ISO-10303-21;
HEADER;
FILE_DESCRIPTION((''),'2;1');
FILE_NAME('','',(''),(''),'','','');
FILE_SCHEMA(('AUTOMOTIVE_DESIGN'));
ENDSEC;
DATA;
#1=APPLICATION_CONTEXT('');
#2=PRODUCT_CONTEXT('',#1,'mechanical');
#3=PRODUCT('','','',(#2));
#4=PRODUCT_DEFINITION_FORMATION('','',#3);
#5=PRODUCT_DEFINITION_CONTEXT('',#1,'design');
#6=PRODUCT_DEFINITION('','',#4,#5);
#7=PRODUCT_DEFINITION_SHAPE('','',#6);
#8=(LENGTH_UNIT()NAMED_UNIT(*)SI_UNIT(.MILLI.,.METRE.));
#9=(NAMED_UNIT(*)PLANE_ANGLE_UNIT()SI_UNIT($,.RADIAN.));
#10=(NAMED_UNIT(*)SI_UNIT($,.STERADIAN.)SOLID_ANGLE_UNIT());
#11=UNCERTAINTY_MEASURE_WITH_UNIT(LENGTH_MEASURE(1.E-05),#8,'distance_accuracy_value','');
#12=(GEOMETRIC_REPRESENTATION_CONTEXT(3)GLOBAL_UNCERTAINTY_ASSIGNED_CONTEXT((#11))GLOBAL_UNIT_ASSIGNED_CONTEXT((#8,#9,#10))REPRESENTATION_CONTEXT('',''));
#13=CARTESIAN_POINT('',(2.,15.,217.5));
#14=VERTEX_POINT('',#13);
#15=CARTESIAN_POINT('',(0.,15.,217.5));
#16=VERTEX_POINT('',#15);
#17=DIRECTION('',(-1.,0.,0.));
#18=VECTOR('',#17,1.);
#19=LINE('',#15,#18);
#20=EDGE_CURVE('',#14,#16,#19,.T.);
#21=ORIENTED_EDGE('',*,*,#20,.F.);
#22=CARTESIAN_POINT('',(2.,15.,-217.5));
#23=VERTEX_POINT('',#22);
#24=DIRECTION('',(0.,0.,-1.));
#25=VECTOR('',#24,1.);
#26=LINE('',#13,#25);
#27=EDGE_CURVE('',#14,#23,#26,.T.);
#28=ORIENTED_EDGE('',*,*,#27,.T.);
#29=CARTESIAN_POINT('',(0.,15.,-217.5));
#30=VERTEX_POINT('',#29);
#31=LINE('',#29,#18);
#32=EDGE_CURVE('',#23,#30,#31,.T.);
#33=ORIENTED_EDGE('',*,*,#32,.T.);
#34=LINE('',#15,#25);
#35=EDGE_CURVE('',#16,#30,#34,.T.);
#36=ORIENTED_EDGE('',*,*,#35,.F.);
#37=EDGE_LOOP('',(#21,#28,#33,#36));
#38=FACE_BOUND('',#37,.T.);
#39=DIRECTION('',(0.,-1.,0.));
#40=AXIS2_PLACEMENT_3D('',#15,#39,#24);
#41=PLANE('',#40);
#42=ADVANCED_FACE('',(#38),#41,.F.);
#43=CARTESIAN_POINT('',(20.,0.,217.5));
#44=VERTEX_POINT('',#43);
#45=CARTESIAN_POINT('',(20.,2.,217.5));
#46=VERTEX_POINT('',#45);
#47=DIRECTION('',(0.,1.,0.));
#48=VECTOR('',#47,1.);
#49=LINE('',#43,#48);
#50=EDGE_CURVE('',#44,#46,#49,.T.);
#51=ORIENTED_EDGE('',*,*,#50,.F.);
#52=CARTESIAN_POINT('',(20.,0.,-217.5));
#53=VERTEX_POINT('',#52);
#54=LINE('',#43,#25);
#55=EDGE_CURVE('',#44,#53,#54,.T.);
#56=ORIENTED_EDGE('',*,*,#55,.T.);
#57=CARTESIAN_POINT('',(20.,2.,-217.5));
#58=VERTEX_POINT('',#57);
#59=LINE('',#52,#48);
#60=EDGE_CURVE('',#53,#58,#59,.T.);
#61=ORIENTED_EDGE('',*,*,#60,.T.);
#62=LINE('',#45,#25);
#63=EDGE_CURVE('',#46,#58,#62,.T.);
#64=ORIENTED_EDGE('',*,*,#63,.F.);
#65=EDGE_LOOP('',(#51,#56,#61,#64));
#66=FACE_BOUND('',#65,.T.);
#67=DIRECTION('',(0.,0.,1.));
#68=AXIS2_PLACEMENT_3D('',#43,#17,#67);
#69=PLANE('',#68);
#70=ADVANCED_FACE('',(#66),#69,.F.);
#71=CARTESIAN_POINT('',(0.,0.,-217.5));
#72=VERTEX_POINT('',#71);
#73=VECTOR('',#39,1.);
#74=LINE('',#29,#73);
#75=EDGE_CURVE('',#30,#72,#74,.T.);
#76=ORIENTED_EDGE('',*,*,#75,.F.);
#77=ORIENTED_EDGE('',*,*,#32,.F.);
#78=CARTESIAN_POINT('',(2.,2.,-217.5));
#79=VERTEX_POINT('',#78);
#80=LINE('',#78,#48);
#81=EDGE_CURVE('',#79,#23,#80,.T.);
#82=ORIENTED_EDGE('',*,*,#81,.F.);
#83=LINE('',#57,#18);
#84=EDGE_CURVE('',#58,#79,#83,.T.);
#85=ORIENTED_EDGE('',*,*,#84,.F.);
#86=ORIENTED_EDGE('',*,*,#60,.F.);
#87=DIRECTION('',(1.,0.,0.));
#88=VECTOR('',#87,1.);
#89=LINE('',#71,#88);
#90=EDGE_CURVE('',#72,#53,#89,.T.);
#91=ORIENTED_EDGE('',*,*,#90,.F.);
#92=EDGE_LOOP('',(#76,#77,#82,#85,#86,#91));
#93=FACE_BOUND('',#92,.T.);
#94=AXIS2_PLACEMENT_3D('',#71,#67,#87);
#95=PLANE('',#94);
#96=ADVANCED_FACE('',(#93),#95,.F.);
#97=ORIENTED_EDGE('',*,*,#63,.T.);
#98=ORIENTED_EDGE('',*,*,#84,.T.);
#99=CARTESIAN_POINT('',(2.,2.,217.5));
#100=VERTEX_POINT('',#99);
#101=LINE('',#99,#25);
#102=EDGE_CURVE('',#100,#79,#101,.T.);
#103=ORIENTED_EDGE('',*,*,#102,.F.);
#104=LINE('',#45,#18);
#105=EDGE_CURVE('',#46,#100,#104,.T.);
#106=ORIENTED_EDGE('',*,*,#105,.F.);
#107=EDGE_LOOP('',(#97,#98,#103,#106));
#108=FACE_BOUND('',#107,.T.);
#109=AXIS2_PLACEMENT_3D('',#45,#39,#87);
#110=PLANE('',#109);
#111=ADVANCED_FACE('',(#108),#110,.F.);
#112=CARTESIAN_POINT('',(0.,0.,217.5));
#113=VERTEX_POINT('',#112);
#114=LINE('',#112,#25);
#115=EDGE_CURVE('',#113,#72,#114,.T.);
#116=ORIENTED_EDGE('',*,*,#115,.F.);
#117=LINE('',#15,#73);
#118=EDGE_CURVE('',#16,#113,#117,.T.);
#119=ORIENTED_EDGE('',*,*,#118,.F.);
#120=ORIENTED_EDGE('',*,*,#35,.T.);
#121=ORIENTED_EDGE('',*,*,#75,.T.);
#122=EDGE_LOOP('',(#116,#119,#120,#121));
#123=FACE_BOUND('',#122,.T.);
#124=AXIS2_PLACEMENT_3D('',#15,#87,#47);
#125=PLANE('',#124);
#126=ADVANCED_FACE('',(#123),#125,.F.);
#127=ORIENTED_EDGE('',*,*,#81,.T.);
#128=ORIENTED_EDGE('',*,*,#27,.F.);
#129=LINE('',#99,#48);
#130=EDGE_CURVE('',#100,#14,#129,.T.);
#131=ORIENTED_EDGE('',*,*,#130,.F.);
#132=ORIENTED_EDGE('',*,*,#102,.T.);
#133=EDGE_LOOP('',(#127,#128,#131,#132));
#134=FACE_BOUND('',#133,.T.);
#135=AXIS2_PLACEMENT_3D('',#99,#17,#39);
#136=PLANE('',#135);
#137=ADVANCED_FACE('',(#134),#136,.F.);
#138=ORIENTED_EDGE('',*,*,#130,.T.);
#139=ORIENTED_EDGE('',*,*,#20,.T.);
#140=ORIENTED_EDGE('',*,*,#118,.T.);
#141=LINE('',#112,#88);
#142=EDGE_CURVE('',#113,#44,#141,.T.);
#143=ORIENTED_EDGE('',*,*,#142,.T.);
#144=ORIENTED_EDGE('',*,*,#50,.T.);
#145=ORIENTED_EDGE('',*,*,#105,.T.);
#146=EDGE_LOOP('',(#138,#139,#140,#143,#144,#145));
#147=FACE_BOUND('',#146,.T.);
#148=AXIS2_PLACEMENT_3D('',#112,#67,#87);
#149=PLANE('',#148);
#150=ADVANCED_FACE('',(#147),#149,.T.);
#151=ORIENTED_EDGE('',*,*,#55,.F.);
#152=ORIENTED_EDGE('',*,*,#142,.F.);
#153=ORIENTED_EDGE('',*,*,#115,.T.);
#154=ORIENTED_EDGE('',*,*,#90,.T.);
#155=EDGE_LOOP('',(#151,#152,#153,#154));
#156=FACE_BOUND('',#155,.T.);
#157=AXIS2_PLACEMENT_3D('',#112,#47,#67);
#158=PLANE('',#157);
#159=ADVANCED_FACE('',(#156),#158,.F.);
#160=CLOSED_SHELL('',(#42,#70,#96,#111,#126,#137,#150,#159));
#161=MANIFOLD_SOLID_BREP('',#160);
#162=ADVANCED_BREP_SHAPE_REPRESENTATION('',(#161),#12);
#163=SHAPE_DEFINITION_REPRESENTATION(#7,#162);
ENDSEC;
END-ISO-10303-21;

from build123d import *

# Parameters (mm, degrees)
EXTRUDE_1_DEPTH = 217.5


with BuildPart() as part:
    # 草图1 → 凸台-拉伸1 (new body, symmetric)
    with BuildSketch(Plane.XY):
        Polygon((0, 15), (0, 0), (20, 0), (20, 2), (2, 2), (2, 15), align=None)
    extrude(amount=EXTRUDE_1_DEPTH, both=True)


solid = part.part
